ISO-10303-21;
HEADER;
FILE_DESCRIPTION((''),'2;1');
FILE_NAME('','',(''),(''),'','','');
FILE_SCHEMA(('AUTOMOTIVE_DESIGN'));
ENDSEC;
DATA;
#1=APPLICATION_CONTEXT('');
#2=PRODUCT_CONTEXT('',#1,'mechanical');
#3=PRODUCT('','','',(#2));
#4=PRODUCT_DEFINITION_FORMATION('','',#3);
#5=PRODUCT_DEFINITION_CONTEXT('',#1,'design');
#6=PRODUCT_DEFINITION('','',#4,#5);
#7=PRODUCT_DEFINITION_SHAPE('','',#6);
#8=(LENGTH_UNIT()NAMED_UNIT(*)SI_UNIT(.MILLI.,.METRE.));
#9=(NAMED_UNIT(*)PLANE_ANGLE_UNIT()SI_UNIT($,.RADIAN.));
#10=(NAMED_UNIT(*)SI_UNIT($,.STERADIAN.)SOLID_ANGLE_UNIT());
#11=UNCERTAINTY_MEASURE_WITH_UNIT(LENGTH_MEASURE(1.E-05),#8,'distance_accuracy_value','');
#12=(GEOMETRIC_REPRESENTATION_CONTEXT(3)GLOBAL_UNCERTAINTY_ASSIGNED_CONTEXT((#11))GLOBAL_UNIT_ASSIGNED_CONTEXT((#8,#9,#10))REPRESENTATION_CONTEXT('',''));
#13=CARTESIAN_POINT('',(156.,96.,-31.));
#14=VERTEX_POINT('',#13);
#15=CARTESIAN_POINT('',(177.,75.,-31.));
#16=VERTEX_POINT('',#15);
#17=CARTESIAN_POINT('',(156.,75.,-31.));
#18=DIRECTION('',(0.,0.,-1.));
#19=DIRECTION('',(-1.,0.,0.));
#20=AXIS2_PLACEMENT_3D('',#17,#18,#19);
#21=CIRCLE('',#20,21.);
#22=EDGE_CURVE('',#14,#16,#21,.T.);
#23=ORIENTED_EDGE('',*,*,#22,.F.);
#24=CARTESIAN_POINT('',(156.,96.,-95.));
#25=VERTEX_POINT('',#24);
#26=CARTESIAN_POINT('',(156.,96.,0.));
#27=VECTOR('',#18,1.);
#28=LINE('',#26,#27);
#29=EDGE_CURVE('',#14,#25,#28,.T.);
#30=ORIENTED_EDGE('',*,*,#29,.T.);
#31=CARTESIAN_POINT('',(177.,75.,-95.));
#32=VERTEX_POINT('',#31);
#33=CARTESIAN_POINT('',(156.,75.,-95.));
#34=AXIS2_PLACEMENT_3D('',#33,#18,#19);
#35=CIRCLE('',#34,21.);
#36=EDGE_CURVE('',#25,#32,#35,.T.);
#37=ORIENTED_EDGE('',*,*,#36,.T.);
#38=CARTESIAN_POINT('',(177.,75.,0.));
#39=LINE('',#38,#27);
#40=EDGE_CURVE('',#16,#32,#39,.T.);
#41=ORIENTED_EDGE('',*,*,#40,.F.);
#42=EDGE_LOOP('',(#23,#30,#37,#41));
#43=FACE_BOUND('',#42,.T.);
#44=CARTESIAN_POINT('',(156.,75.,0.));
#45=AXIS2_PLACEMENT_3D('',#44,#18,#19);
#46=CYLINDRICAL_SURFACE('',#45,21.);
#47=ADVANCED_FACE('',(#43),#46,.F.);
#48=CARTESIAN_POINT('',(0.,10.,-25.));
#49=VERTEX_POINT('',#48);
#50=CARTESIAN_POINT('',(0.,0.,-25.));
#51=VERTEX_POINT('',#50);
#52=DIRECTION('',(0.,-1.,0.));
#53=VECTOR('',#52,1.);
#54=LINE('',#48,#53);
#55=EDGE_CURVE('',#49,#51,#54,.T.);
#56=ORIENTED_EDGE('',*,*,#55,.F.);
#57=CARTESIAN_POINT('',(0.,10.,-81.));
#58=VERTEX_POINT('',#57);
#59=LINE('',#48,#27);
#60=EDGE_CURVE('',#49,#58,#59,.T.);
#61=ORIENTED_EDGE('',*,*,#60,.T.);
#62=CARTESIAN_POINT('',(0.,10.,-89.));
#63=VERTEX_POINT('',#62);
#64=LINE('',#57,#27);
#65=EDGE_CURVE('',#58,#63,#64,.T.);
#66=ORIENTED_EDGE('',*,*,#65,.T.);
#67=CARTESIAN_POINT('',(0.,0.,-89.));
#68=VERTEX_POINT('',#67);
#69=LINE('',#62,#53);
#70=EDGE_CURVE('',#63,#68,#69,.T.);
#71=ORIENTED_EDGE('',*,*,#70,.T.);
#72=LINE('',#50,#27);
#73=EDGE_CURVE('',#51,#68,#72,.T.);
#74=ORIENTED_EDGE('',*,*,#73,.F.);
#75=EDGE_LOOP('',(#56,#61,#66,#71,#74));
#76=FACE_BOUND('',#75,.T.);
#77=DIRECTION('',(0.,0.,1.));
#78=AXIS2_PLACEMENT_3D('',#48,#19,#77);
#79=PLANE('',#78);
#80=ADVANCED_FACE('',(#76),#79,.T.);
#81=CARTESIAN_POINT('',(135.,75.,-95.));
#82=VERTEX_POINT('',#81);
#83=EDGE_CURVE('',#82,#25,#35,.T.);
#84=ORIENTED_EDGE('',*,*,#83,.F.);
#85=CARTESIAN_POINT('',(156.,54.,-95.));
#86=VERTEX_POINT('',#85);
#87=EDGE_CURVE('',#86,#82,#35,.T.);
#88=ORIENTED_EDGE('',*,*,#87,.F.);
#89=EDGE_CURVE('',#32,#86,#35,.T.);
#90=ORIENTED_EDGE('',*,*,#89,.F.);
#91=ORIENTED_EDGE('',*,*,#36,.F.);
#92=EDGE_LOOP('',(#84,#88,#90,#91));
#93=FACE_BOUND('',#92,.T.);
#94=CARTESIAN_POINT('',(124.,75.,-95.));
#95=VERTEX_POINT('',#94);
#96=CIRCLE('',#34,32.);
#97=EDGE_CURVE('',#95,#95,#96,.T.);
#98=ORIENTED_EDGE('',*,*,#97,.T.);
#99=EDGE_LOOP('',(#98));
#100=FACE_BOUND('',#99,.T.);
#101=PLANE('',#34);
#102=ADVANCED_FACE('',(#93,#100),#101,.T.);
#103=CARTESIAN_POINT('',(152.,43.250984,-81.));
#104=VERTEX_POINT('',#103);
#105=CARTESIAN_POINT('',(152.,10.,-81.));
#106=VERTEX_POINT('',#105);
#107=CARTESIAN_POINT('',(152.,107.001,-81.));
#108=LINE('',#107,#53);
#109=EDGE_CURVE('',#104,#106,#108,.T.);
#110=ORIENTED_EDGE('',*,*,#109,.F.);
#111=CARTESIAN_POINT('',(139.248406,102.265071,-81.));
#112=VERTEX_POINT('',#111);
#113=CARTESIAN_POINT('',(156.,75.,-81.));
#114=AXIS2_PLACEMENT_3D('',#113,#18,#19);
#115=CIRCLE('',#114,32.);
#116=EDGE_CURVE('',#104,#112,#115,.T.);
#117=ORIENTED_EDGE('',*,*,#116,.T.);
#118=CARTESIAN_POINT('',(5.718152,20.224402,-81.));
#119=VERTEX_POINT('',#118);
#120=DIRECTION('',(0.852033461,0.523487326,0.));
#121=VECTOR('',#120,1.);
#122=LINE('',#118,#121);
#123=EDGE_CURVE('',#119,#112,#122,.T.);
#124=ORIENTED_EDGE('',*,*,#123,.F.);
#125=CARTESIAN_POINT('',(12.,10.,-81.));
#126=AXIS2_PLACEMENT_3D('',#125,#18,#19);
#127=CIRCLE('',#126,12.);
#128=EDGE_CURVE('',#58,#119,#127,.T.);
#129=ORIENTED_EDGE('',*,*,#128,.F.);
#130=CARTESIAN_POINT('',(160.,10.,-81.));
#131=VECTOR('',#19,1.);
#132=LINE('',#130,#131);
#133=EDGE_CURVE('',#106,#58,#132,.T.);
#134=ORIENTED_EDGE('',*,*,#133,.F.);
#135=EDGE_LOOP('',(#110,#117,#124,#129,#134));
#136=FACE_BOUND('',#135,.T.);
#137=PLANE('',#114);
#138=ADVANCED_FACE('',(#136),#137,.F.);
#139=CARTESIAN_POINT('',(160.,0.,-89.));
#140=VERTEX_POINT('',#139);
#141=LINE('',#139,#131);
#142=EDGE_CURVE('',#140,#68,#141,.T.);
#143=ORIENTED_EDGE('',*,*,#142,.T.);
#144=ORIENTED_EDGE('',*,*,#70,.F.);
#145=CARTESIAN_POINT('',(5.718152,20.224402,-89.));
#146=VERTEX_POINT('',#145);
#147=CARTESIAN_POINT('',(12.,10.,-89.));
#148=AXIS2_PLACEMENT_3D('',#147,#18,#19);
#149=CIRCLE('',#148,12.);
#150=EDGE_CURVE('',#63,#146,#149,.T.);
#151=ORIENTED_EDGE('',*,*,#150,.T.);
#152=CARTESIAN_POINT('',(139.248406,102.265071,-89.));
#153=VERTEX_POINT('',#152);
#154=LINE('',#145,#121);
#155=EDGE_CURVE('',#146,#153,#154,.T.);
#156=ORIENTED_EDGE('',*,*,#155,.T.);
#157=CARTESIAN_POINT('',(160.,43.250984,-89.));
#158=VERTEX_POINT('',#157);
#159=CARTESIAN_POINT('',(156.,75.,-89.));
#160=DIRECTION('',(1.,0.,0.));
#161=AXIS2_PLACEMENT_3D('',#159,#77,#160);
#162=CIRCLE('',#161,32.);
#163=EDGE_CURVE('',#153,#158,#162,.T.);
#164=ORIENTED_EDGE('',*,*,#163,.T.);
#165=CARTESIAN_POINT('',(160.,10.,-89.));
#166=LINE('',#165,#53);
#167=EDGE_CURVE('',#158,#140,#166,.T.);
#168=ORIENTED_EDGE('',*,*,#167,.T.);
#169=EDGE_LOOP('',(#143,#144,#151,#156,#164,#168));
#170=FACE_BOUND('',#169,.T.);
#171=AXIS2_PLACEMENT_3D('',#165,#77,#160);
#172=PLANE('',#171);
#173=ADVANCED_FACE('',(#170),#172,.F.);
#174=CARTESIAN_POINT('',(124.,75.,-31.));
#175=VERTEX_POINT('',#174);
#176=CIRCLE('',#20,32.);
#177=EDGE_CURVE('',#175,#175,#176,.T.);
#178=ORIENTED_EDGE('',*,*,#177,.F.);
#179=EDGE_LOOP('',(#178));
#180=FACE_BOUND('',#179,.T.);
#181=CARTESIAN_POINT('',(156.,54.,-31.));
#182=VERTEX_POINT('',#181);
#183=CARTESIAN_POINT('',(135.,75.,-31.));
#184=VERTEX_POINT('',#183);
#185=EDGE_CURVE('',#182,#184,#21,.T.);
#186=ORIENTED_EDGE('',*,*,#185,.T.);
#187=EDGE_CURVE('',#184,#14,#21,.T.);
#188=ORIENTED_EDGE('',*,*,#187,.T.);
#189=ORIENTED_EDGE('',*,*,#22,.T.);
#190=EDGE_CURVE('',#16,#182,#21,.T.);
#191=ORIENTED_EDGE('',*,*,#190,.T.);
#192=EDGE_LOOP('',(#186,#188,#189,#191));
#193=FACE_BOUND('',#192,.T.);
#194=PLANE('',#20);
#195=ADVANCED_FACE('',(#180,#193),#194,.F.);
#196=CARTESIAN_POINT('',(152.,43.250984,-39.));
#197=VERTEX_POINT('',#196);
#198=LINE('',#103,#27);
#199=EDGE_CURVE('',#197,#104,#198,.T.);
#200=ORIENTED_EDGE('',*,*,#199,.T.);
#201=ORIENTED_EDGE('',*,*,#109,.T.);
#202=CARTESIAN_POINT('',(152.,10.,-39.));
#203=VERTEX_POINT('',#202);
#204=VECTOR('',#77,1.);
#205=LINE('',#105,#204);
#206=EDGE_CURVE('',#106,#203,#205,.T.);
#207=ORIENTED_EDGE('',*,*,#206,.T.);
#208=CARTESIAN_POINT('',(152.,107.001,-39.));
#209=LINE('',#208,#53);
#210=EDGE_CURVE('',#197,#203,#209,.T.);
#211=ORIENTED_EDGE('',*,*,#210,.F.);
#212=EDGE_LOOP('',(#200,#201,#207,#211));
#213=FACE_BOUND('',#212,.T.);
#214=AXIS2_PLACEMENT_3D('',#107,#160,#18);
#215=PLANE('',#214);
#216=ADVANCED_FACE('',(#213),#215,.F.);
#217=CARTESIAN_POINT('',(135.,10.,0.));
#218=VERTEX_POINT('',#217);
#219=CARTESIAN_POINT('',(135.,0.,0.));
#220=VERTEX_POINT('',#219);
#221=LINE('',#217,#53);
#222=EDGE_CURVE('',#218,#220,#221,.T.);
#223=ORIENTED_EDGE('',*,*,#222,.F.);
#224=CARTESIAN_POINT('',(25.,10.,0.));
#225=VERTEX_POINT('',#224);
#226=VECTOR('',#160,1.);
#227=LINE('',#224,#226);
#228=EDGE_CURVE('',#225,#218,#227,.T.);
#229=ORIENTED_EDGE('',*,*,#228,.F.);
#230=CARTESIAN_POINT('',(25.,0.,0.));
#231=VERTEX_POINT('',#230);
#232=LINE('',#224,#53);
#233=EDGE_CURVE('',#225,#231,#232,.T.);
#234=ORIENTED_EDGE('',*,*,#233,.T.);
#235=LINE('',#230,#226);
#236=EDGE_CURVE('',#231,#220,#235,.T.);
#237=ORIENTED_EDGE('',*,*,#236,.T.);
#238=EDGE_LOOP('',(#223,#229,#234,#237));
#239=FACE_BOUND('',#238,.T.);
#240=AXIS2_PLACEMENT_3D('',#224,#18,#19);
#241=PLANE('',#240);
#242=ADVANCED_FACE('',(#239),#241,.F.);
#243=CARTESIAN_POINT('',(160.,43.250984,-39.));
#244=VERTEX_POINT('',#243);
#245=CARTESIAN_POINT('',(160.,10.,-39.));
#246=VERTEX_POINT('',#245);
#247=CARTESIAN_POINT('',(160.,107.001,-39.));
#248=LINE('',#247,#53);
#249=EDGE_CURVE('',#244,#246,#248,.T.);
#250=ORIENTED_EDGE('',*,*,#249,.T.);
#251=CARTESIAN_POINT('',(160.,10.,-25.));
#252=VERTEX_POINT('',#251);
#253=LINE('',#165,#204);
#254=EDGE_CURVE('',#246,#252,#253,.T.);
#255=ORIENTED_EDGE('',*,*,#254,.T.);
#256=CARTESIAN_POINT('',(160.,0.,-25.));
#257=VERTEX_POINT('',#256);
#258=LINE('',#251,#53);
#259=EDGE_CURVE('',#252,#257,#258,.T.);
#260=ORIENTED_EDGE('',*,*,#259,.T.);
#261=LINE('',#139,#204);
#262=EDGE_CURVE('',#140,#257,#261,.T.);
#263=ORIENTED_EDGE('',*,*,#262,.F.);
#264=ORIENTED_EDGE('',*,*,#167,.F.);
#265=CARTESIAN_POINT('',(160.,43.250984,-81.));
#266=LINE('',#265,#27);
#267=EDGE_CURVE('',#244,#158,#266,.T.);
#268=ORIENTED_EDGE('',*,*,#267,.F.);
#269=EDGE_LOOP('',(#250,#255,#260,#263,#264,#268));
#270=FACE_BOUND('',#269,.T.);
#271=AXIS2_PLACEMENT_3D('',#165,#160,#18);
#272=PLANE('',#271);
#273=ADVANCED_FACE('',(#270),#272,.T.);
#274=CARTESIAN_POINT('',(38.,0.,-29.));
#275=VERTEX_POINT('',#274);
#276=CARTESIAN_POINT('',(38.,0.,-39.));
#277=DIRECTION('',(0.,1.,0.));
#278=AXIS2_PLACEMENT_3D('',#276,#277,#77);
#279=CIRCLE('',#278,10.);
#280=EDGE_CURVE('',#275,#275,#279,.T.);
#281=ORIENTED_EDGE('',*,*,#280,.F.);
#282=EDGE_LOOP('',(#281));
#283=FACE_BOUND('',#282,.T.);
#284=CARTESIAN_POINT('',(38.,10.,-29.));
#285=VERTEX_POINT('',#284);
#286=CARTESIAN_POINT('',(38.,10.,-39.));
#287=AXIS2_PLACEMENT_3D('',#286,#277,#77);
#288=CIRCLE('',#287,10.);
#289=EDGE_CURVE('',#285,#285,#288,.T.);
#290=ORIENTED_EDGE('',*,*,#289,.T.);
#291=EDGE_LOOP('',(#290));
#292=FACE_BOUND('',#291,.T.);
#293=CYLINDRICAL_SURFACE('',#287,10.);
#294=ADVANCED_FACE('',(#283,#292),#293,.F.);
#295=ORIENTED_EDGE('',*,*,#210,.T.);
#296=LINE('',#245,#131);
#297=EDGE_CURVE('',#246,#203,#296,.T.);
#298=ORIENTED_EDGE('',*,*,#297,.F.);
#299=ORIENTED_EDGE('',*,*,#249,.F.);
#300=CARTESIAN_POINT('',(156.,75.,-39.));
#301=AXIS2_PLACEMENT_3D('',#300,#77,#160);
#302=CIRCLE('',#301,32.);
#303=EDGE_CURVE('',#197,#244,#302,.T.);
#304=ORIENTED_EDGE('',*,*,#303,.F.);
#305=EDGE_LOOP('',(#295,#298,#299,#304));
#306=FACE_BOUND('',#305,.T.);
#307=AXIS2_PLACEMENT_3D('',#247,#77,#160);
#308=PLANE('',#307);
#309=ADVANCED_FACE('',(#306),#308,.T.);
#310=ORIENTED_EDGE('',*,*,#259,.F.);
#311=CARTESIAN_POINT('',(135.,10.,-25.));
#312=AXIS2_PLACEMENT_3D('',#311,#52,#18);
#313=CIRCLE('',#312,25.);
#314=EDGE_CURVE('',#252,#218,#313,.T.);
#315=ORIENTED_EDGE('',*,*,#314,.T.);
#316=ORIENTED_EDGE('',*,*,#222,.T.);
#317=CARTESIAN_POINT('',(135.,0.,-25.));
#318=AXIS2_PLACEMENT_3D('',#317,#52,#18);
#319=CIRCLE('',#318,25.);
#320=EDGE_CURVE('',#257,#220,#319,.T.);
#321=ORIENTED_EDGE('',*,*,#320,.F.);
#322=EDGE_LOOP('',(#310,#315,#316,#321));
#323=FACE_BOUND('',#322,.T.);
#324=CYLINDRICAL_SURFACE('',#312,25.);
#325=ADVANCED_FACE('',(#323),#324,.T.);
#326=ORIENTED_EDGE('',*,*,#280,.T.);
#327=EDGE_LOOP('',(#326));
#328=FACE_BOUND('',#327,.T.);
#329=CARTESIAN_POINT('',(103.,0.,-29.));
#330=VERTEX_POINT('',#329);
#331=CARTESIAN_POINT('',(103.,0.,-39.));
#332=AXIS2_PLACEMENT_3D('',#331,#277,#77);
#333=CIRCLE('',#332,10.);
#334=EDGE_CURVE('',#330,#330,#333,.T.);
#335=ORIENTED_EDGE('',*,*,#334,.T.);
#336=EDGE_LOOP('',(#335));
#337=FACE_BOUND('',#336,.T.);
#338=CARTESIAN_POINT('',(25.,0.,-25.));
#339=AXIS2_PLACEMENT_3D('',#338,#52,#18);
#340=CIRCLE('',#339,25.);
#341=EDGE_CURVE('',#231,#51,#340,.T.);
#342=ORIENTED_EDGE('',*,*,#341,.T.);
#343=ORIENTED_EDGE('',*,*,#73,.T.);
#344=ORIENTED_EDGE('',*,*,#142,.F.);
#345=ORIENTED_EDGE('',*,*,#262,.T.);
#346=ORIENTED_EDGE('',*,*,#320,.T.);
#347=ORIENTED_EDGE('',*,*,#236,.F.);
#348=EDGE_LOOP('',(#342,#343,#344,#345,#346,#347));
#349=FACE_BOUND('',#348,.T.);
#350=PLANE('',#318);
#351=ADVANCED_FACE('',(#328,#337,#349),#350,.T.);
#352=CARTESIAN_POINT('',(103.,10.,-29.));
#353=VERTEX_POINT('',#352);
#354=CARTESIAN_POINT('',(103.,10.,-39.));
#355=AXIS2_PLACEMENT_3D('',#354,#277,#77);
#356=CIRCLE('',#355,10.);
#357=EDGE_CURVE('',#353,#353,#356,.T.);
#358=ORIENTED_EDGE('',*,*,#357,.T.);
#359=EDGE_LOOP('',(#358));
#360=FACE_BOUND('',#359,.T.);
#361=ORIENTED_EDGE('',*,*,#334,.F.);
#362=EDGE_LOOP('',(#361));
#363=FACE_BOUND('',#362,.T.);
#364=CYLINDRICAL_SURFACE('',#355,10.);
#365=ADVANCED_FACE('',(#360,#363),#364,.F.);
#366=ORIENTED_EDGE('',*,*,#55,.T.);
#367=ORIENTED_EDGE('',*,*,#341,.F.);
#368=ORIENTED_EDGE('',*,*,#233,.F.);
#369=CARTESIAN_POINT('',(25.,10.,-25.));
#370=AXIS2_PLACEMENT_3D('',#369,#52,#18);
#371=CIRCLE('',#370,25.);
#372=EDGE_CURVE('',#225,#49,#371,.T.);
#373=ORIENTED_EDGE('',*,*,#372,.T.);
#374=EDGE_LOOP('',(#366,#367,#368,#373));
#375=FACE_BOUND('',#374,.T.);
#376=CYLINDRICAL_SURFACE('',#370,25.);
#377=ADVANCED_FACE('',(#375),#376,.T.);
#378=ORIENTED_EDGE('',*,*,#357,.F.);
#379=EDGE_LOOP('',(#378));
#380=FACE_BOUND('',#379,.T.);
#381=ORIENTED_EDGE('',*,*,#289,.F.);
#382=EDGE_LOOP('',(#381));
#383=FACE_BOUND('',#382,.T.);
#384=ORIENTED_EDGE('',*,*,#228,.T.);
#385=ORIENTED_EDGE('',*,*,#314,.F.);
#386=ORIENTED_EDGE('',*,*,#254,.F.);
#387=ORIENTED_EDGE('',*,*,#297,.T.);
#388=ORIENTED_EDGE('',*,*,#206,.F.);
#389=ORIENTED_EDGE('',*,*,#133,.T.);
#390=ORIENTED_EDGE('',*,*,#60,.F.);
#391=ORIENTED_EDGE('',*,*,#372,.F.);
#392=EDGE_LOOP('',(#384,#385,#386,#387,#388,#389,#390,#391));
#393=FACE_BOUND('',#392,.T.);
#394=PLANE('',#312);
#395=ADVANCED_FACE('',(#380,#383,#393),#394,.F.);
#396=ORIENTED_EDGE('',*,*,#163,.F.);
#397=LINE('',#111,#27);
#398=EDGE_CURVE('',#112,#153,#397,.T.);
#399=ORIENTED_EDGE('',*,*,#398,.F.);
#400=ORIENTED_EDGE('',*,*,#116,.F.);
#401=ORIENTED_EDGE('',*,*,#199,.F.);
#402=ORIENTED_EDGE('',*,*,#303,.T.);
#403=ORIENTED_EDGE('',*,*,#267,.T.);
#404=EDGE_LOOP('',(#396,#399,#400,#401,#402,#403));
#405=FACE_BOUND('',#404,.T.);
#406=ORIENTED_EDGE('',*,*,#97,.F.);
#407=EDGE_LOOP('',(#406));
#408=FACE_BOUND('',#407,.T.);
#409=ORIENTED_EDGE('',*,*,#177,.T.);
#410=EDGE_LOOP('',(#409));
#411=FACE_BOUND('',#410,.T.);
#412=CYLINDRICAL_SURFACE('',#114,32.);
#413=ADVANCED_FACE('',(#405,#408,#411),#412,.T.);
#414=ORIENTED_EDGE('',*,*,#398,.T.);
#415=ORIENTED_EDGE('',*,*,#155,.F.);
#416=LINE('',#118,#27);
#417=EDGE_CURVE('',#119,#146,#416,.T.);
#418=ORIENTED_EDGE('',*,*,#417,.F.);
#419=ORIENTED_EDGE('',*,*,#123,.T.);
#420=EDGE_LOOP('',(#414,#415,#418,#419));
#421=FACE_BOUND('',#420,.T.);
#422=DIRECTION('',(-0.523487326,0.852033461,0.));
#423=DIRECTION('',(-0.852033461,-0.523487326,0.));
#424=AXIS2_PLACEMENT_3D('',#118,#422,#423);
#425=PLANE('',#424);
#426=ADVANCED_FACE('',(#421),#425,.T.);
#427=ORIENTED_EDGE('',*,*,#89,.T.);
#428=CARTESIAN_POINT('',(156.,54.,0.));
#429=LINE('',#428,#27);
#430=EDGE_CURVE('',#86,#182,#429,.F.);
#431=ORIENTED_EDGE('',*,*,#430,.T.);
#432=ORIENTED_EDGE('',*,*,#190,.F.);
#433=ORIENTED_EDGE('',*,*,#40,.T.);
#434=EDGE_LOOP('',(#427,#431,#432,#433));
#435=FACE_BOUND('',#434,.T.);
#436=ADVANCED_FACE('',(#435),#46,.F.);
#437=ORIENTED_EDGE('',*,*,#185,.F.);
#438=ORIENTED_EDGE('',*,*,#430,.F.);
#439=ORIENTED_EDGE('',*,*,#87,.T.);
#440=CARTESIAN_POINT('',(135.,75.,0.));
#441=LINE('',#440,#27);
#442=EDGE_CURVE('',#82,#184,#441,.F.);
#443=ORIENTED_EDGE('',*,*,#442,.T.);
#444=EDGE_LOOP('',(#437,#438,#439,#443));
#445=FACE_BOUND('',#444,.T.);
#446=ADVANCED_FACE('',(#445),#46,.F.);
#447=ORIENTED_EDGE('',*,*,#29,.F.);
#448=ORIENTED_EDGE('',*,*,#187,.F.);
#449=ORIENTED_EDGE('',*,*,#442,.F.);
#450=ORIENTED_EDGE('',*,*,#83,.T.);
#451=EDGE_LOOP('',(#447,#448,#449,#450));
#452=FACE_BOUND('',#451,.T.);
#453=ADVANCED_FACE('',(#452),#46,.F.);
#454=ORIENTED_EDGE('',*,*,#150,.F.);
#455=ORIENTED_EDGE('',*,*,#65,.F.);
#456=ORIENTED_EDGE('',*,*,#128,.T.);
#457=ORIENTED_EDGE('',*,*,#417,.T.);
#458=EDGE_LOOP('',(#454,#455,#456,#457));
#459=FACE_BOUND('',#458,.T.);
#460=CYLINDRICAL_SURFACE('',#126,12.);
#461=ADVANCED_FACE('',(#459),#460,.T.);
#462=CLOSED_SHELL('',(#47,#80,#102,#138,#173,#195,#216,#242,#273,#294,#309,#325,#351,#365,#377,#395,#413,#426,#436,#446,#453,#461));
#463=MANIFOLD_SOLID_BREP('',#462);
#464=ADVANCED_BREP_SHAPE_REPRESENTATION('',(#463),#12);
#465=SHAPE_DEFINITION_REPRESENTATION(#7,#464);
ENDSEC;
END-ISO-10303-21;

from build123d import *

# Parameters (mm, degrees)
BASE_EXTRUDE_DEPTH       = 10
BOSS_EXTRUDE1_DEPTH      = 8
SKETCH3_R                = 32
BOSS_EXTRUDE2_DEPTH      = 64
SKETCH7_R                = 21
CUT_EXTRUDE1_DEPTH       = 237.258333186
BOSS_EXTRUDE3_REACH      = 233.901
BOSS_EXTRUDE3_END_RADIUS = 32
SKETCH4_W                = 8
SKETCH4_H                = 42
HOLE1_D                  = 20
LPATTERN1_COUNT          = 2
LPATTERN1_PITCH          = 65


with BuildPart() as part:
    # Sketch1 → Base-Extrude (new body)
    with BuildSketch(Plane(origin=(0, 0, 0), x_dir=(1, 0, 0), z_dir=(0, 1, 0))):
        with BuildLine():
            Line((25, 0), (135, 0))
            ThreePointArc((135, 0), (152.67766953, 7.32233047), (160, 25))
            Line((160, 25), (160, 89))
            Line((160, 89), (0, 89))
            Line((0, 89), (0, 25))
            ThreePointArc((0, 25), (7.32233047, 7.32233047), (25, 0))
        make_face()
    extrude(amount=BASE_EXTRUDE_DEPTH)

    # Sketch2 → Boss-Extrude1 (add)
    with BuildSketch(Plane(origin=(0, 0, -89), x_dir=(-1, 0, 0), z_dir=(0, 0, -1))):
        with BuildLine():
            Line((-160, 10), (0, 10))
            ThreePointArc((0, 10), (-1.526648698, 15.857381028), (-5.718152085, 20.224401536))
            Line((-5.718152085, 20.224401536), (-139.248405559, 102.265070762))
            ThreePointArc((-139.248405559, 102.265070762), (-186.188017348, 85.615253581), (-160, 43.250984267))
            Line((-160, 43.250984267), (-160, 10))
        make_face()
    extrude(amount=-BOSS_EXTRUDE1_DEPTH)

    # Sketch3 → Boss-Extrude2 (add)
    with BuildSketch(Plane(origin=(0, 0, -95), x_dir=(-1, 0, 0), z_dir=(0, 0, -1))):
        with Locations((-156, 75)):
            Circle(SKETCH3_R)
    extrude(amount=-BOSS_EXTRUDE2_DEPTH)

    # Sketch7 → Cut-Extrude1 (cut, through all)
    with BuildSketch(Plane(origin=(0, 0, -95), x_dir=(-1, 0, 0), z_dir=(0, 0, -1))):
        with Locations((-156, 75)):
            Circle(SKETCH7_R)
    extrude(amount=-CUT_EXTRUDE1_DEPTH, mode=Mode.SUBTRACT)

    # Boss-Extrude3: up to this cylinder (the profile starts outside it)
    boss_extrude3_end = Plane(origin=(156, 75, -60), z_dir=(0, 0, -1)) * Cylinder(BOSS_EXTRUDE3_END_RADIUS, 532.802, mode=Mode.PRIVATE)
    # Sketch4 → Boss-Extrude3 (add, up to the surface)
    with BuildSketch(Plane(origin=(0, 10, 0), x_dir=(-1, 0, 0), z_dir=(0, 1, 0)), mode=Mode.PRIVATE) as boss_extrude3_sk1:
        with Locations((-156, -60)):
            Rectangle(SKETCH4_W, SKETCH4_H)
    boss_extrude3_tool1 = extrude(boss_extrude3_sk1.sketch, amount=BOSS_EXTRUDE3_REACH, mode=Mode.PRIVATE) - boss_extrude3_end
    add(boss_extrude3_tool1.solids().sort_by_distance((156, 10, -60))[0])

    # Hole1 (through all)
    with Locations(Plane(origin=(0, 10, 0), x_dir=(-1, 0, 0), z_dir=(0, 1, 0))):
        with Locations((-38, -39)):
            hole1 = Hole(HOLE1_D / 2)

    # LPattern1: Hole1 ×2
    with Locations(*[(i * LPATTERN1_PITCH, 0, 0) for i in range(1, LPATTERN1_COUNT)]):
        add(hole1, mode=Mode.SUBTRACT)


solid = part.part
